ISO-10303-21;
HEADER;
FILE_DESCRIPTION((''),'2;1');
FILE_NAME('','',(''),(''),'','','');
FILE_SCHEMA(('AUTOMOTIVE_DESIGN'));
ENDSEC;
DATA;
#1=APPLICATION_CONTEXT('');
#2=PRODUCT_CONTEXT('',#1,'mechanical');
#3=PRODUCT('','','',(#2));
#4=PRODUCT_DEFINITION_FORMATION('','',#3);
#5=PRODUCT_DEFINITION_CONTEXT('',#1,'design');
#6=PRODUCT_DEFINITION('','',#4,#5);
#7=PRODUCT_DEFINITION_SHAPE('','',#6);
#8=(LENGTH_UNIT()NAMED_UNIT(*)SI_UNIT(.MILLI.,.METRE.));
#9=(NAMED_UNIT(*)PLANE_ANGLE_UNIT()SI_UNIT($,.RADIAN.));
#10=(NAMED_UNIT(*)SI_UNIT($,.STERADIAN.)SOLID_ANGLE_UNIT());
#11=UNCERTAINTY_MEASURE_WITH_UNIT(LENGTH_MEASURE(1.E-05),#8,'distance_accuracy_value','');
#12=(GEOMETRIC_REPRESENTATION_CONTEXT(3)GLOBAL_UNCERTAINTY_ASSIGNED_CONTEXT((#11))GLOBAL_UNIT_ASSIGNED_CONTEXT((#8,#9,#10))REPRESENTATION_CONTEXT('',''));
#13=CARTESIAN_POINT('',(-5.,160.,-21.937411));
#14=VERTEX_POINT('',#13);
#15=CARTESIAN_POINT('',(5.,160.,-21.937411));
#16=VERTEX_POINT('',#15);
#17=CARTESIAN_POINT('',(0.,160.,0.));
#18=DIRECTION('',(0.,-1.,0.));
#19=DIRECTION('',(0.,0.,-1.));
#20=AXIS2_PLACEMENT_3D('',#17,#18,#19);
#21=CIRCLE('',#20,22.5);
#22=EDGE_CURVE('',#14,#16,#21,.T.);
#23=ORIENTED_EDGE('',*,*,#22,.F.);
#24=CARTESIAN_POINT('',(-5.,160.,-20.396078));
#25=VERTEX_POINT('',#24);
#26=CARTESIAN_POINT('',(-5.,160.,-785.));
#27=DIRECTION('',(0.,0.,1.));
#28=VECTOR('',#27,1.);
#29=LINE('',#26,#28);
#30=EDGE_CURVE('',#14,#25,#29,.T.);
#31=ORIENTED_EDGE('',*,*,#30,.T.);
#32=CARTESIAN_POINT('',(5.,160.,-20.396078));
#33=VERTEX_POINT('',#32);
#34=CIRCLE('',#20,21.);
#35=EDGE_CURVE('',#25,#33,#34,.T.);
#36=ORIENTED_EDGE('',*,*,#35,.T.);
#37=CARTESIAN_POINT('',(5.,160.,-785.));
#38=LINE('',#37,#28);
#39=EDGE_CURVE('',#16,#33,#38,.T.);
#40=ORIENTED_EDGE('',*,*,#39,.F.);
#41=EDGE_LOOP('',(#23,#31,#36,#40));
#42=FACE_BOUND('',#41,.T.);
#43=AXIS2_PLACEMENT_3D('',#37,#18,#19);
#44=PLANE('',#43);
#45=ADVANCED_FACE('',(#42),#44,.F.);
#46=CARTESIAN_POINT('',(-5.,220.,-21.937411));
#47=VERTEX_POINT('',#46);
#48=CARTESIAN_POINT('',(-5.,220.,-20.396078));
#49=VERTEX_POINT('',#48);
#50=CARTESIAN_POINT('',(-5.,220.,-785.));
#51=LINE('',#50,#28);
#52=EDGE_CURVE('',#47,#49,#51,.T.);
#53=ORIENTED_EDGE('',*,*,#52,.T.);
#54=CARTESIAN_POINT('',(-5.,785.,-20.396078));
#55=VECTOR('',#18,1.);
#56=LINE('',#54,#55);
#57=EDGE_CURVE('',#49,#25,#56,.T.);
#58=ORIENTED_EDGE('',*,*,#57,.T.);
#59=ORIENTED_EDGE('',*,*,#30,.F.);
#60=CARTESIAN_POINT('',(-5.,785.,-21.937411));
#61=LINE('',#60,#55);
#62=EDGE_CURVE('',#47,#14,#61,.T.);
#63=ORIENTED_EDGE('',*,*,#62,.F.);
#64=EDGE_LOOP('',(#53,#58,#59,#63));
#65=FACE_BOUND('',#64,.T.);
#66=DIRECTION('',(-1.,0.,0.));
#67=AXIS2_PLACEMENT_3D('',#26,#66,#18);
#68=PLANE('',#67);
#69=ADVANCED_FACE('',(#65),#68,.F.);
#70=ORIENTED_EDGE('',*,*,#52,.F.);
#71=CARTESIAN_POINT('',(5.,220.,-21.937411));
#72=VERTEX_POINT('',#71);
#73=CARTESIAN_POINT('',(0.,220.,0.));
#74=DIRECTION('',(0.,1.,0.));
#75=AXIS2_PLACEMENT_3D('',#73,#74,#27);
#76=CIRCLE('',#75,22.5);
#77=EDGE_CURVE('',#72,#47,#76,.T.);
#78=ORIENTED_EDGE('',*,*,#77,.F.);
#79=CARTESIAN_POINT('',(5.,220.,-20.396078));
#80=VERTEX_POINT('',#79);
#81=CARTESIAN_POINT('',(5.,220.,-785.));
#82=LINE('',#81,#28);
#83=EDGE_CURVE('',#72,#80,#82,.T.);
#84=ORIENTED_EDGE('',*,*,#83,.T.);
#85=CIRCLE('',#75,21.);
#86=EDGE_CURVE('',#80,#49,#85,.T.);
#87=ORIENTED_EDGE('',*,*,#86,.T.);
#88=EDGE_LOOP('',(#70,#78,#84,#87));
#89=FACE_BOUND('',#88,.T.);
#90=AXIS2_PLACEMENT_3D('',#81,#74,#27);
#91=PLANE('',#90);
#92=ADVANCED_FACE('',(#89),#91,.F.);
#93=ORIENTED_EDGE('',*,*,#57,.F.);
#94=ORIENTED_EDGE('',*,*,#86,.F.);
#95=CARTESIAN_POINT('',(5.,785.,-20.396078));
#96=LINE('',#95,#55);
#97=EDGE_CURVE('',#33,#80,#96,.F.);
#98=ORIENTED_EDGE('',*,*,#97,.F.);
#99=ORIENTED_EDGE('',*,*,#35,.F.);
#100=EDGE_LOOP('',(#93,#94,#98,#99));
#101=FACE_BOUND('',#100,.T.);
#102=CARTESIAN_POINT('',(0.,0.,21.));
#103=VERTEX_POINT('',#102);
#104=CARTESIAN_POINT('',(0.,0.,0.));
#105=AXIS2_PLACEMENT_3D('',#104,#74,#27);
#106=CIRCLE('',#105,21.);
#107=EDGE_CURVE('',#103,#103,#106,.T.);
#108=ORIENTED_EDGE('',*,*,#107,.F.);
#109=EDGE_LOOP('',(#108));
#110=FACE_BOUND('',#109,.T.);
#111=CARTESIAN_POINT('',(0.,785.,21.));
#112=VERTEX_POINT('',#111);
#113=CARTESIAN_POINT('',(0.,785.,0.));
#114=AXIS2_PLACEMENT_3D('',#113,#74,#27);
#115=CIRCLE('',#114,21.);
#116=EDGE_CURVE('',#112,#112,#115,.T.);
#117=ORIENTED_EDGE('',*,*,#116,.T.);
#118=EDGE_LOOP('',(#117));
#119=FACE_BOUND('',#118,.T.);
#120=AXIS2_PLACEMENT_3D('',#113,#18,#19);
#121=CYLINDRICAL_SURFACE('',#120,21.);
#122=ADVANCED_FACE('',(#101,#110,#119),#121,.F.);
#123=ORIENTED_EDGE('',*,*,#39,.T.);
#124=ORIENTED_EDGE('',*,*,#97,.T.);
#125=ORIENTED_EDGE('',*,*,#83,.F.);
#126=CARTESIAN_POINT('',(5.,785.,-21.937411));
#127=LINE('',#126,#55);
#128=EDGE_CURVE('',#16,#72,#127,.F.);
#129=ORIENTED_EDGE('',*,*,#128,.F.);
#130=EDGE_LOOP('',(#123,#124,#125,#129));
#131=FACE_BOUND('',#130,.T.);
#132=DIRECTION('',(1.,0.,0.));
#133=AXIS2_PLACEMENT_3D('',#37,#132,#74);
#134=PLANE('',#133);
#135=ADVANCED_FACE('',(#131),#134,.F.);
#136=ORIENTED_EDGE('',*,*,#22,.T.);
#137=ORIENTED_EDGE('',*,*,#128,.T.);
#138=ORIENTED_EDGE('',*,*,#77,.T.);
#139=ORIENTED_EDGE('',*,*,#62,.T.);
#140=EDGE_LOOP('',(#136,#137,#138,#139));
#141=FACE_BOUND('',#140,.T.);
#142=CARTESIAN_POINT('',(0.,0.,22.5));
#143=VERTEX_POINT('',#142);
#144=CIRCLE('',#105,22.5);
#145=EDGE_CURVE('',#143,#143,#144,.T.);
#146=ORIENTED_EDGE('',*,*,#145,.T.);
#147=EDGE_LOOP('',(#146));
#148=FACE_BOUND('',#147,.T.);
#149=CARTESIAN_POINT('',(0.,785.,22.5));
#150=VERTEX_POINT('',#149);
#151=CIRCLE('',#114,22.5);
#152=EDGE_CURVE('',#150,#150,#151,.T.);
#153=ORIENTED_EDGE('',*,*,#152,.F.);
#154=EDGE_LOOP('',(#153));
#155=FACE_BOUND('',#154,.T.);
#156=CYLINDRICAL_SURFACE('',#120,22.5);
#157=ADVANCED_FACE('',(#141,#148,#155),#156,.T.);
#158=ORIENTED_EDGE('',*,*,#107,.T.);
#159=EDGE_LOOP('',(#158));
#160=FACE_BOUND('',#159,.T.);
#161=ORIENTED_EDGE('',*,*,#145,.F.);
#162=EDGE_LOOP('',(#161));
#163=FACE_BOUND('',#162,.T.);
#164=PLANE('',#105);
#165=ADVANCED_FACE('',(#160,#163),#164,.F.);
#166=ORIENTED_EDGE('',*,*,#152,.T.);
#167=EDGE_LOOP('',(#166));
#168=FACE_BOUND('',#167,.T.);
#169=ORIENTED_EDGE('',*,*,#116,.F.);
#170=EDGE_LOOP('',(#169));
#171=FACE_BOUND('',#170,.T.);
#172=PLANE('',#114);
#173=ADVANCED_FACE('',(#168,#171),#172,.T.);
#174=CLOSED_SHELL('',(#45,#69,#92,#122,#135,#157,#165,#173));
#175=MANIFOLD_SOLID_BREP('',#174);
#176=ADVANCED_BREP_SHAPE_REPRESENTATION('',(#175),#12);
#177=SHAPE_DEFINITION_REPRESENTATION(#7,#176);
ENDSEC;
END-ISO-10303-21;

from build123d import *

# Parameters (mm, degrees)
CROQUIS1_R              = 22.5
CROQUIS1_R_2            = 21
SALIENTE_EXTRUIR1_DEPTH = 785
CROQUIS2_W              = 10
CROQUIS2_H              = 60
CORTAR_EXTRUIR1_DEPTH   = 785


with BuildPart() as part:
    # Croquis1 → Saliente-Extruir1 (new body)
    with BuildSketch(Plane(origin=(0, 0, 0), x_dir=(1, 0, 0), z_dir=(0, 1, 0))):
        with Locations(Location((0, 0, 0), (0, 0, 270))):
            Circle(CROQUIS1_R)
        with Locations(Location((0, 0, 0), (0, 0, 270))):
            Circle(CROQUIS1_R_2, mode=Mode.SUBTRACT)
    extrude(amount=SALIENTE_EXTRUIR1_DEPTH)

    # Croquis2 → Cortar-Extruir1 (cut)
    with BuildSketch(Plane.XY):
        with Locations((0, 190)):
            Rectangle(CROQUIS2_W, CROQUIS2_H)
    extrude(amount=-CORTAR_EXTRUIR1_DEPTH, mode=Mode.SUBTRACT)


solid = part.part
